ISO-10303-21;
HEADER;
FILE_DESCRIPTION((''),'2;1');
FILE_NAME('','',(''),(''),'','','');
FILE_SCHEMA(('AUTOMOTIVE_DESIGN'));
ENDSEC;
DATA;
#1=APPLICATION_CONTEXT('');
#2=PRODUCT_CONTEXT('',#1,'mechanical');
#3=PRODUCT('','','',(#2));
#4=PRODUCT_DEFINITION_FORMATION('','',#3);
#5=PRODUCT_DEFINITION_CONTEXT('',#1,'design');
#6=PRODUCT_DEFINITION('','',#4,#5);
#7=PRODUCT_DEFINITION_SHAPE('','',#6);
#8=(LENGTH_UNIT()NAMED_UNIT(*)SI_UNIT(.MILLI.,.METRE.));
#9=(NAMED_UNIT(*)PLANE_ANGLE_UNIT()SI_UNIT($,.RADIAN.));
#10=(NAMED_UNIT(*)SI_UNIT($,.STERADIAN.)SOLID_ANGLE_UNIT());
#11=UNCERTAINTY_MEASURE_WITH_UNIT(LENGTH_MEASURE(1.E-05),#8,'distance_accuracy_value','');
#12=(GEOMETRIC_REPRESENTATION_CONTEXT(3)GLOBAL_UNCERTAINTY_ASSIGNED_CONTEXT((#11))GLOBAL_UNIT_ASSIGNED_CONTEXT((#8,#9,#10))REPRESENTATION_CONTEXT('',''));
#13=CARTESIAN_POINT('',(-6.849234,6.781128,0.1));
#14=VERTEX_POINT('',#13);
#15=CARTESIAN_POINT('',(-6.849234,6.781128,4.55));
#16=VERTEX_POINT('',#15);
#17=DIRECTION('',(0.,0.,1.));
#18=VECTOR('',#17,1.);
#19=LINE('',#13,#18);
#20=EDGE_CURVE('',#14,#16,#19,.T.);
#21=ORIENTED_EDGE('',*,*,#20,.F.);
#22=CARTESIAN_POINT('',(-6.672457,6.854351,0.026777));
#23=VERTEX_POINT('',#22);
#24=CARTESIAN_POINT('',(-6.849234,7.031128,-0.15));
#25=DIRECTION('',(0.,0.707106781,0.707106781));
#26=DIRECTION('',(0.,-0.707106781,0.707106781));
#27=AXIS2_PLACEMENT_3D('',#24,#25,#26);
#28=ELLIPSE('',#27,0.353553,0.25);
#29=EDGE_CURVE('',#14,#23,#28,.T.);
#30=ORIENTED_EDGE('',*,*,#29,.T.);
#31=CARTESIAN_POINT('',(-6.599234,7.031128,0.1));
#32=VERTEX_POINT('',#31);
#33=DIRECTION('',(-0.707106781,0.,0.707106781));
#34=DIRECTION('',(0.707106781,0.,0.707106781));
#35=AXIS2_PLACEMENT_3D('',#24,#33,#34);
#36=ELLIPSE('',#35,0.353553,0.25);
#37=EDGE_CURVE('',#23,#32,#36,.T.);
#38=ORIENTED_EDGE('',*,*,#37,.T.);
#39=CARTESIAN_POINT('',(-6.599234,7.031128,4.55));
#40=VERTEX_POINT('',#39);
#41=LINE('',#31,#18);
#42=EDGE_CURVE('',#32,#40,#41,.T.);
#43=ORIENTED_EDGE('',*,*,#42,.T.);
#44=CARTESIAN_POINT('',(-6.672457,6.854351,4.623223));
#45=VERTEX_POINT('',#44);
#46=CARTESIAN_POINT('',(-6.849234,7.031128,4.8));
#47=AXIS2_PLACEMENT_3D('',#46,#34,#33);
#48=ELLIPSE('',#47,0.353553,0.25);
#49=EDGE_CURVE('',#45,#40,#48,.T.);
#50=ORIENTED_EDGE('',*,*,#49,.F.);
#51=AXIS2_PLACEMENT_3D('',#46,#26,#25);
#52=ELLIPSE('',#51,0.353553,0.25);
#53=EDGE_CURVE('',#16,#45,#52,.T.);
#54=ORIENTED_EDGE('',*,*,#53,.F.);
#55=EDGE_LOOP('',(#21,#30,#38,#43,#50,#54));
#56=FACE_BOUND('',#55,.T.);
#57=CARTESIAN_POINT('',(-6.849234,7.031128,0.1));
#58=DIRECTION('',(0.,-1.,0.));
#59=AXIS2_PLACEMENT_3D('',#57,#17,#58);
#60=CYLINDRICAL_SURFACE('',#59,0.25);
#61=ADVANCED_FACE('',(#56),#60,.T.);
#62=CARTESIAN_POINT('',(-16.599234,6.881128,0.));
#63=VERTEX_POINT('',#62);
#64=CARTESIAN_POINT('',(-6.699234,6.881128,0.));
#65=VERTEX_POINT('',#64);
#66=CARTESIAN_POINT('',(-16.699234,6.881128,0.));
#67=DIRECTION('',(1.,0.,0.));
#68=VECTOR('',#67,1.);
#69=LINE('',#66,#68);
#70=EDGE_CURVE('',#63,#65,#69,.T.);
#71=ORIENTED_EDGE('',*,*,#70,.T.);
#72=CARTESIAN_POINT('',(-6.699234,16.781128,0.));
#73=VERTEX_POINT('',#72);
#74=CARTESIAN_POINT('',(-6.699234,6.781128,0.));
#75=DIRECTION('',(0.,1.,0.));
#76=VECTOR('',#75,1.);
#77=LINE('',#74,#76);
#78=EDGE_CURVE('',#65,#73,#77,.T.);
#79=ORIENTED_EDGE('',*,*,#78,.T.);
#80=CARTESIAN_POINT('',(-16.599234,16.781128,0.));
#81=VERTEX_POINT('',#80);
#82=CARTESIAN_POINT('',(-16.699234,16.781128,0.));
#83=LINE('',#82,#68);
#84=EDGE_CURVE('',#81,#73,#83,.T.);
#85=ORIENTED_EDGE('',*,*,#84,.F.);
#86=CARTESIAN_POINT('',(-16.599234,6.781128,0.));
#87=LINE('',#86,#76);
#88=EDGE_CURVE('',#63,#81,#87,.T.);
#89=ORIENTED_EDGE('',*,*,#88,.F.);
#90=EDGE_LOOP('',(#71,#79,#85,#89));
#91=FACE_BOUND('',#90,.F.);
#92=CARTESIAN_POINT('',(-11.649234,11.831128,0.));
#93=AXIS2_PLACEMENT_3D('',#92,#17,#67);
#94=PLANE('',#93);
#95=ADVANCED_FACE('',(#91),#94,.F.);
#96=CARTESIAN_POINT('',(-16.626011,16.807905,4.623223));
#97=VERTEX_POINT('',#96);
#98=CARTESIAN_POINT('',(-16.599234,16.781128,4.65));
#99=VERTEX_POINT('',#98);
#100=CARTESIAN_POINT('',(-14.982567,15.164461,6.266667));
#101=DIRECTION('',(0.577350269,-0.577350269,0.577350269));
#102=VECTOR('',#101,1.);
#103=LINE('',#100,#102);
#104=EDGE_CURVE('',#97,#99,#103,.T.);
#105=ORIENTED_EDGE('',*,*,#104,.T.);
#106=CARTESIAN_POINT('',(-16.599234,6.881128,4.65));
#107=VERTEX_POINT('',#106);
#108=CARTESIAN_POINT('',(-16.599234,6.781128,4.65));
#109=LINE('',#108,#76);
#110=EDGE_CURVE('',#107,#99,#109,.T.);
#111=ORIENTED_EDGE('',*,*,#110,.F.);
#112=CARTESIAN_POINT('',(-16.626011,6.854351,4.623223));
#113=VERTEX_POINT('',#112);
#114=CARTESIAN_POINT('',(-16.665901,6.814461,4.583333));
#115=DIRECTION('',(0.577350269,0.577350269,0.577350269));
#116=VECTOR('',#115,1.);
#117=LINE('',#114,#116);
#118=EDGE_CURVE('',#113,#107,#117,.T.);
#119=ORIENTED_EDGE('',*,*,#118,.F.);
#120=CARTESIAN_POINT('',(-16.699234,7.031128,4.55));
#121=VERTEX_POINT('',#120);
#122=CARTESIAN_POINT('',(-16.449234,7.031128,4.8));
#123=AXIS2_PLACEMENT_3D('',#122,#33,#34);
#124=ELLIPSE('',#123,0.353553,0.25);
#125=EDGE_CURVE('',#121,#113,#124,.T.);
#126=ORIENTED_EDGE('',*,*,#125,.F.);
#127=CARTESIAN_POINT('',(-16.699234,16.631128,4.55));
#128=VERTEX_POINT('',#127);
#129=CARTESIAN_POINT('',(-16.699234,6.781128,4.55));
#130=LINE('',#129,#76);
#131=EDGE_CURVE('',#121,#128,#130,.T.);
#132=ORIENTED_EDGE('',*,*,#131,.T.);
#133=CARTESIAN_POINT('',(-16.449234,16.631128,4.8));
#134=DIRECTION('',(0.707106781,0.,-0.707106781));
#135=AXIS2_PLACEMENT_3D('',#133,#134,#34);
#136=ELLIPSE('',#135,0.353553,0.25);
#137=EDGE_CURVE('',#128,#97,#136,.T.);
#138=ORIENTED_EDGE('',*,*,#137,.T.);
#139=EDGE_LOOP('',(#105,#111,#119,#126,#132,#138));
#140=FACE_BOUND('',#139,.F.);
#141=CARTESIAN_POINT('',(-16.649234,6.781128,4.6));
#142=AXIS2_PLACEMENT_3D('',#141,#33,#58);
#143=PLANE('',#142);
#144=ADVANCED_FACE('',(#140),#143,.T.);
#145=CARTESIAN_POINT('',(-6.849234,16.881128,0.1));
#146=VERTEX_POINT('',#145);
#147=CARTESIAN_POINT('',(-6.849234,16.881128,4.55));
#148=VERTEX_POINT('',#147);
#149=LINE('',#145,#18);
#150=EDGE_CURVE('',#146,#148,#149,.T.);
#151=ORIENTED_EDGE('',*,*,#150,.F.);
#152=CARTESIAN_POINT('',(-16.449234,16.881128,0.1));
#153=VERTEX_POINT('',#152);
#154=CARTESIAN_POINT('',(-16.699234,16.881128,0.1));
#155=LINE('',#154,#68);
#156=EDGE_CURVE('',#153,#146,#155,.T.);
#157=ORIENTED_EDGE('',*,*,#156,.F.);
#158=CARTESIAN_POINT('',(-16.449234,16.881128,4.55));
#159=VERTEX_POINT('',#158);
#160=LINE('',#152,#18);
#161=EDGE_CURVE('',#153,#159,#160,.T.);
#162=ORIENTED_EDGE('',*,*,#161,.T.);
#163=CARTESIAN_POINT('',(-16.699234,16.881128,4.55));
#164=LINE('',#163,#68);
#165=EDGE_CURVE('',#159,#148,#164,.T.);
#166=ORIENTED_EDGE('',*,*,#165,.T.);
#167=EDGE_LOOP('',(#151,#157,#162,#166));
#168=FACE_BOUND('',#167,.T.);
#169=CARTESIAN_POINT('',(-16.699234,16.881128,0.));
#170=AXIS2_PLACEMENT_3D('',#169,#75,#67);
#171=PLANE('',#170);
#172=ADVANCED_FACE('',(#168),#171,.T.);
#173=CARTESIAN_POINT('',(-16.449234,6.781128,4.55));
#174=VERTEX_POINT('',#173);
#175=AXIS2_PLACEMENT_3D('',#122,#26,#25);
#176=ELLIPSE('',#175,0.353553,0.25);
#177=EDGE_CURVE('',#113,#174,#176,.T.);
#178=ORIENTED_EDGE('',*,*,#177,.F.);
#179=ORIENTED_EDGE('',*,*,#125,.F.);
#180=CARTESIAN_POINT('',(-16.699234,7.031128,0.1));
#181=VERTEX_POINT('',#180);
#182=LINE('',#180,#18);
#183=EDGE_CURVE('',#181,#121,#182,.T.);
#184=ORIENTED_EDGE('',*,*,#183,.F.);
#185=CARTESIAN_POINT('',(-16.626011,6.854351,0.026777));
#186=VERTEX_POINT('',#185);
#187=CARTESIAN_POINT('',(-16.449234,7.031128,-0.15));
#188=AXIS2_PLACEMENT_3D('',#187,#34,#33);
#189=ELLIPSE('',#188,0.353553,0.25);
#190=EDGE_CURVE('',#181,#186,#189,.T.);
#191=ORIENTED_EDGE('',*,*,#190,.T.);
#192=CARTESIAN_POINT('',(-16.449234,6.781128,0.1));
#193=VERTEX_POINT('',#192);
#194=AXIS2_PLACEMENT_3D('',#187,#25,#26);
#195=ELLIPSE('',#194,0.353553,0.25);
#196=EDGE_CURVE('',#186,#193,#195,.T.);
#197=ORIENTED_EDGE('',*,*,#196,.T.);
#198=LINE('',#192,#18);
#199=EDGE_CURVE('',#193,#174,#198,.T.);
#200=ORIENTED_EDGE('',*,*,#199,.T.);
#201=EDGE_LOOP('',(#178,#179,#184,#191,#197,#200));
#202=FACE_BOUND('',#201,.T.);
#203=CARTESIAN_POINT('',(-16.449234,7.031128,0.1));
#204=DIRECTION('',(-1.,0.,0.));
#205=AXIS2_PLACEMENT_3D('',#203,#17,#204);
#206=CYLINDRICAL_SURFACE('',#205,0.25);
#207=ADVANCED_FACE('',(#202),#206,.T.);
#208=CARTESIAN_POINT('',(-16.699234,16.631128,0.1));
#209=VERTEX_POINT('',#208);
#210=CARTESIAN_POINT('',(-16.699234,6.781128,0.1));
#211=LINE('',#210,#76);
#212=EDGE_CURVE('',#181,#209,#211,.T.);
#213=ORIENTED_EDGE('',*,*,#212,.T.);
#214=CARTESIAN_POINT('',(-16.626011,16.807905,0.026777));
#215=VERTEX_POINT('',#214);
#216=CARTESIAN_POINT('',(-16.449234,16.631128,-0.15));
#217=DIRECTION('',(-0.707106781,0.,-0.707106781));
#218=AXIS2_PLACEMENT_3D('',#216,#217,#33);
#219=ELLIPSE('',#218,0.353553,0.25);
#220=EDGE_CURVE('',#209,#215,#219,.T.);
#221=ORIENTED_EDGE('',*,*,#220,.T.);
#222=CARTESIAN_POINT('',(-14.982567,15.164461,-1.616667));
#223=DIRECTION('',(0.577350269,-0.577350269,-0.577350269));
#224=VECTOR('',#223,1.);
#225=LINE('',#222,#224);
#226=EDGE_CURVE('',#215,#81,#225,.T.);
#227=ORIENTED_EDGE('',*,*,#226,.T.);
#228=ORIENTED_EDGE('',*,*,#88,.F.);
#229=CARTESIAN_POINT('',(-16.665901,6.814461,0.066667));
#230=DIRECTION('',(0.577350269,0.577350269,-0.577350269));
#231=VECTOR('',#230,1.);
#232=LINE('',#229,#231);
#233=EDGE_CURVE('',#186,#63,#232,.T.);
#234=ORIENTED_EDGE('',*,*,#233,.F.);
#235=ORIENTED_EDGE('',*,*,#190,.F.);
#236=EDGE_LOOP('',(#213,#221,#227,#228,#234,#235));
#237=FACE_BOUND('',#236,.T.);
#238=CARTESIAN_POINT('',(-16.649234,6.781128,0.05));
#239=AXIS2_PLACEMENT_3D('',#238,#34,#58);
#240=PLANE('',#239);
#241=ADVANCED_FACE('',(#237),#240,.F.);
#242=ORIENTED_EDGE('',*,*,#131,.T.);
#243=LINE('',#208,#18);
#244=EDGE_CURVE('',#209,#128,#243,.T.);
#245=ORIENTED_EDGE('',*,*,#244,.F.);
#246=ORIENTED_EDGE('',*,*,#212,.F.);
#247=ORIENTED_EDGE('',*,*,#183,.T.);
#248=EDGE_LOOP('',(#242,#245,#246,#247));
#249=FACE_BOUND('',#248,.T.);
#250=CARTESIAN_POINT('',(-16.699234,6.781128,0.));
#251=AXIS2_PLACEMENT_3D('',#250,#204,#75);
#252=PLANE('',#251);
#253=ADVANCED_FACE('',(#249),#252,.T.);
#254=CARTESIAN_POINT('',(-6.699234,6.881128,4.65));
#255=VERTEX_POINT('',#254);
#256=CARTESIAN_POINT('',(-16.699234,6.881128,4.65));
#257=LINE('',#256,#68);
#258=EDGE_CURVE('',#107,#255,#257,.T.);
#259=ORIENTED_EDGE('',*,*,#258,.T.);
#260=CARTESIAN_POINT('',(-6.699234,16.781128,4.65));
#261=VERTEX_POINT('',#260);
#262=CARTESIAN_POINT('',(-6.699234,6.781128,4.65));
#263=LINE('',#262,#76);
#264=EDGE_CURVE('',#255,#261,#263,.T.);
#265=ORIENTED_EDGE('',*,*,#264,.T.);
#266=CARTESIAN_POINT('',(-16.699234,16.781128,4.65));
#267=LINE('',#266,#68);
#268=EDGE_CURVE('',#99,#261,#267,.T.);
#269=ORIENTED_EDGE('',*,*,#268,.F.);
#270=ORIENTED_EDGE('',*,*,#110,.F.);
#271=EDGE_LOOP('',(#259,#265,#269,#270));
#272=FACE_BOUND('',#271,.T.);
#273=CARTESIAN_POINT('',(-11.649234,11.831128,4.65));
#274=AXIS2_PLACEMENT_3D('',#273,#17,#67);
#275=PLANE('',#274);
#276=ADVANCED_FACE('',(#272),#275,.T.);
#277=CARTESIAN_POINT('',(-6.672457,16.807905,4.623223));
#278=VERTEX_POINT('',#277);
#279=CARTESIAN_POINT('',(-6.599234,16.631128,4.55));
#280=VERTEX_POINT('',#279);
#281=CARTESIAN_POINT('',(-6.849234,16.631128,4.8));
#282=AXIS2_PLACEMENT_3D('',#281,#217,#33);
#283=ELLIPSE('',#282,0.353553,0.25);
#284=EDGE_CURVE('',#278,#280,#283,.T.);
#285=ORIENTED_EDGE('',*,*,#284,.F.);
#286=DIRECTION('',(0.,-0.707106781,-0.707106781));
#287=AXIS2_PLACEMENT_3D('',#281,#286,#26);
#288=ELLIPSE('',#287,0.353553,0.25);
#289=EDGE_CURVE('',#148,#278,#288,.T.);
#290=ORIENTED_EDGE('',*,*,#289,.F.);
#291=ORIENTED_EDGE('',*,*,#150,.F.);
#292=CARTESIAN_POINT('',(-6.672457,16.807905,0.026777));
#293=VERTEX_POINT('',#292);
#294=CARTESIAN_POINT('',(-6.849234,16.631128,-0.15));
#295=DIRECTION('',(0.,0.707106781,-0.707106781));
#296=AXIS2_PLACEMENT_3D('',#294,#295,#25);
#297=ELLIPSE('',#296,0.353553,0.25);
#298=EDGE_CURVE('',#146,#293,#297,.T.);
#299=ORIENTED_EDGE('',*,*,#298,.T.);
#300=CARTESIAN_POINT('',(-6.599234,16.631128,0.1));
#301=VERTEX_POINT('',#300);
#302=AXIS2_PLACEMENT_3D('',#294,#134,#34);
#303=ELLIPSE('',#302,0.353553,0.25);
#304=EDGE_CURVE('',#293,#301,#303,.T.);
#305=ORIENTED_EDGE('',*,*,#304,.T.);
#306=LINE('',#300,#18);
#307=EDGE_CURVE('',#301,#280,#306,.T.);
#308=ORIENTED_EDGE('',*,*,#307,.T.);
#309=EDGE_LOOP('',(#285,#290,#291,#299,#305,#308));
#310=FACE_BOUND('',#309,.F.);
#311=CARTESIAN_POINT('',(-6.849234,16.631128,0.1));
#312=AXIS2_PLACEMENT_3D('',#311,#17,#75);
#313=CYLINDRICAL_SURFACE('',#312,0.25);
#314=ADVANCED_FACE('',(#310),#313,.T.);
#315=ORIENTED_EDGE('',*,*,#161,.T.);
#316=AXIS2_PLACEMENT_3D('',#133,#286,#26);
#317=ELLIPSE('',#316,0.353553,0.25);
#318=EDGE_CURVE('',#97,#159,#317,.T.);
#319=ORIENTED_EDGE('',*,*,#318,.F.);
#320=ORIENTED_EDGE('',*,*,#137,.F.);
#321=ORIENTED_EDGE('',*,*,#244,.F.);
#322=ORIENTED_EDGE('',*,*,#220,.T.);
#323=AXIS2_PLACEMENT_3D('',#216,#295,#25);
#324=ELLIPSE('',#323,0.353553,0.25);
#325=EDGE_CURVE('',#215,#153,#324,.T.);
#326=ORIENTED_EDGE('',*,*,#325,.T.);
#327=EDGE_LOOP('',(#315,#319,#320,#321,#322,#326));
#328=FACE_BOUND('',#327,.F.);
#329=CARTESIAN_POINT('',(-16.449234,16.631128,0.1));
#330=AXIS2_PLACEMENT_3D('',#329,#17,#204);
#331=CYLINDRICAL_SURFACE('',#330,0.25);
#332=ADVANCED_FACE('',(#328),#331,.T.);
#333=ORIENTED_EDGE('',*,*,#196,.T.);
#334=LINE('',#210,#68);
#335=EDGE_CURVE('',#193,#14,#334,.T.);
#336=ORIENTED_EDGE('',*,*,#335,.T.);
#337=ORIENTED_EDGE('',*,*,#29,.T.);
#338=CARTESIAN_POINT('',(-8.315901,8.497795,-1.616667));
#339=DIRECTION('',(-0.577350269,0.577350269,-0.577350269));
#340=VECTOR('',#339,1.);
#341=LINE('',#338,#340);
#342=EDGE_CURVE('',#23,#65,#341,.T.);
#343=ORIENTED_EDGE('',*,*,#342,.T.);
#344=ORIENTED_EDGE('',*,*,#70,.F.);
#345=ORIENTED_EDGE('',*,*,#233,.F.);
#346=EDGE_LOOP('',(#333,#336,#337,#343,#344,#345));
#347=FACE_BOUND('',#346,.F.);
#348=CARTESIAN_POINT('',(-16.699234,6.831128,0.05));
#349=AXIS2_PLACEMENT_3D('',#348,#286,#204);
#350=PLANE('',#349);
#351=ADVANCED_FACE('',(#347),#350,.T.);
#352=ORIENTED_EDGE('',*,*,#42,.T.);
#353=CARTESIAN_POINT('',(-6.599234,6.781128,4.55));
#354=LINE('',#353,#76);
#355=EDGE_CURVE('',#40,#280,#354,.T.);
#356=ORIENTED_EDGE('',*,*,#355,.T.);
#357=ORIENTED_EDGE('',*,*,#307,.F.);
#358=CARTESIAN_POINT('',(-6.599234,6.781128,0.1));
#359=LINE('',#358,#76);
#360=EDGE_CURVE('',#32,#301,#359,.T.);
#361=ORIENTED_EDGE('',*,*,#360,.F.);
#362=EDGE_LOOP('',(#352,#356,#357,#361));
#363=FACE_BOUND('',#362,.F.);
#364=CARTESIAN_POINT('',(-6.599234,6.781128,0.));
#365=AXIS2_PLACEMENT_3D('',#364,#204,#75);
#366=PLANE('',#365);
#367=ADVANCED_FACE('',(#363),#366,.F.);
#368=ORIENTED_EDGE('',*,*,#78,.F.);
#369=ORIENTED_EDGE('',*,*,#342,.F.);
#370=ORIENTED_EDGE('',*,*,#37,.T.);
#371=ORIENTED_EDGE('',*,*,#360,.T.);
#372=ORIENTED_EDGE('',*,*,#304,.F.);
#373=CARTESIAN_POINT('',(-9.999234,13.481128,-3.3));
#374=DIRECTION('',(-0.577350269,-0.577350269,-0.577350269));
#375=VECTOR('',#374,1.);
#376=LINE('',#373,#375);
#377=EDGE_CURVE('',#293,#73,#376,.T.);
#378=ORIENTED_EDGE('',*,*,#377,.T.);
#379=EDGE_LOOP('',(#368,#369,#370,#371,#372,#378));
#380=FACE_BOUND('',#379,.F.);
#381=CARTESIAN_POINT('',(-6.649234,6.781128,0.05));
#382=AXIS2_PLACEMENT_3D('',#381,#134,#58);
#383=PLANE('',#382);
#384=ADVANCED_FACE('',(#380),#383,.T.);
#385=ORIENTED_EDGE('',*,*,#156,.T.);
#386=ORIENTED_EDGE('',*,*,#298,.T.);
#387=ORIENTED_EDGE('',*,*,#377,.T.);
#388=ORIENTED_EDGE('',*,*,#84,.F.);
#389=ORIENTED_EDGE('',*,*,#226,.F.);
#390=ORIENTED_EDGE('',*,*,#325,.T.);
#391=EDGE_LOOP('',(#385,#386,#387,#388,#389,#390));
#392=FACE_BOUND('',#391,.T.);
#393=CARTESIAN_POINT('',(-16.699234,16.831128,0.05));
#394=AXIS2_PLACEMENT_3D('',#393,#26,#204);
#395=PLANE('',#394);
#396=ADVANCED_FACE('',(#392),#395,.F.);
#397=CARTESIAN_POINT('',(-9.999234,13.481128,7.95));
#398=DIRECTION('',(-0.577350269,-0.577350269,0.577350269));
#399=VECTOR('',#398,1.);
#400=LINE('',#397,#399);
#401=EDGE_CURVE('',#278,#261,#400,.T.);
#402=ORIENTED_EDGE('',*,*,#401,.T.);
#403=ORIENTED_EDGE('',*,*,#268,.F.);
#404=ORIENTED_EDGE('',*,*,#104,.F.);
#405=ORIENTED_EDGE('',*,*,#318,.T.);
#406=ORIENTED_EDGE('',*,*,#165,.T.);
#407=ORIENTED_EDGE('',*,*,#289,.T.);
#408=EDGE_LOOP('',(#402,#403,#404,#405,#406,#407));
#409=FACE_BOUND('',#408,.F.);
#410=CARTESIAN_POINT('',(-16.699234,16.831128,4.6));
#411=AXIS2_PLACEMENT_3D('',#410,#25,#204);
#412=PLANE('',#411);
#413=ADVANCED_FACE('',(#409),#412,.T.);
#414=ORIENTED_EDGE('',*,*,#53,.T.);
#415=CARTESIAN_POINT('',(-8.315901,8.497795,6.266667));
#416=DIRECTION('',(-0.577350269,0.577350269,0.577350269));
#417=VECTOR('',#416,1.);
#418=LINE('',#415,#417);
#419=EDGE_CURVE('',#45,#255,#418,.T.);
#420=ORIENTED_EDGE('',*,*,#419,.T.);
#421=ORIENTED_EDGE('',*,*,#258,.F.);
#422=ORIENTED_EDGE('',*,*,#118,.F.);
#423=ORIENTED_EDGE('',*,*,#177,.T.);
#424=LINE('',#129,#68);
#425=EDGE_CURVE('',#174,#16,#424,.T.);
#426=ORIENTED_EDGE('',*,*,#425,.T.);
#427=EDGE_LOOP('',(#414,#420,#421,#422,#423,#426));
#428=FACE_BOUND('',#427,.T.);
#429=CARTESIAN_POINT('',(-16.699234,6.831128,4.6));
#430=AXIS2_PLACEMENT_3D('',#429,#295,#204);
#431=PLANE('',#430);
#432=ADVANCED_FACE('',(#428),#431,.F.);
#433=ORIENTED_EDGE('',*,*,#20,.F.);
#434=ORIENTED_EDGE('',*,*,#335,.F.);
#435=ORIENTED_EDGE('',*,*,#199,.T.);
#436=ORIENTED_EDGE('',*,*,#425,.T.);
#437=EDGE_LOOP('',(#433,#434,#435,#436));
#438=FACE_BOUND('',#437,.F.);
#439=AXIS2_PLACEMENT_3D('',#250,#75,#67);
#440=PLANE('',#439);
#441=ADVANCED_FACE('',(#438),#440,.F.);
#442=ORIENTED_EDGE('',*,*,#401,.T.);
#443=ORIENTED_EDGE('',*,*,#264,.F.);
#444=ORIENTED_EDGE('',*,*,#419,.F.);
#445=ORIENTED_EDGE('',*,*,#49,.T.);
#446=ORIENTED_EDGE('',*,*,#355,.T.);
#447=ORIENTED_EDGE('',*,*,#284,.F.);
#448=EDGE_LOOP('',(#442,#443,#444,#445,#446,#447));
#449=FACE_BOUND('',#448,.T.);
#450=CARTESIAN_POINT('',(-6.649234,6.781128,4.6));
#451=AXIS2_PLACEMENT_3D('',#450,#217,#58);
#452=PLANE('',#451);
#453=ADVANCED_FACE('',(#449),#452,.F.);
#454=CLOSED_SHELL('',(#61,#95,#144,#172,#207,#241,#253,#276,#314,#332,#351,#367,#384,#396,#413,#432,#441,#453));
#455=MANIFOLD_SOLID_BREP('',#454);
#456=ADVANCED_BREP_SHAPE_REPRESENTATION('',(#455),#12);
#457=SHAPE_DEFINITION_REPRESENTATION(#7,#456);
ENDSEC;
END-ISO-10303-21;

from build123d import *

# Parameters (mm, degrees)
SKETCH008_W     = 10.1
SKETCH008_H     = 10.1
PAD004_DEPTH    = 4.65
CHAMFER001_SIZE = 0.1
FILLET004_R     = 0.25


with BuildPart() as part:
    # Sketch008 → Pad004 (new body)
    with BuildSketch(Plane.XY):
        with Locations((-11.649234, 11.831128)):
            Rectangle(SKETCH008_W, SKETCH008_H)
    extrude(amount=PAD004_DEPTH)

    # Chamfer001
    chamfer001_edges = [part.edges().sort_by_distance(p)[0] for p in [
        (-16.699234, 11.831128, 4.65),
        (-11.649234, 6.781128, 4.65),
        (-6.599234, 11.831128, 4.65),
        (-11.649234, 16.881128, 4.65),
        (-16.699234, 11.831128, 0),
        (-11.649234, 6.781128, 0),
        (-6.599234, 11.831128, 0),
        (-11.649234, 16.881128, 0),
    ]]
    chamfer(chamfer001_edges, length=CHAMFER001_SIZE)

    # Fillet004
    fillet004_edges = [part.edges().sort_by_distance(p)[0] for p in [
        (-16.699234, 6.781128, 2.325),
        (-6.599234, 6.781128, 2.325),
        (-6.599234, 16.881128, 2.325),
        (-16.699234, 16.881128, 2.325),
    ]]
    fillet(fillet004_edges, radius=FILLET004_R)


solid = part.part
